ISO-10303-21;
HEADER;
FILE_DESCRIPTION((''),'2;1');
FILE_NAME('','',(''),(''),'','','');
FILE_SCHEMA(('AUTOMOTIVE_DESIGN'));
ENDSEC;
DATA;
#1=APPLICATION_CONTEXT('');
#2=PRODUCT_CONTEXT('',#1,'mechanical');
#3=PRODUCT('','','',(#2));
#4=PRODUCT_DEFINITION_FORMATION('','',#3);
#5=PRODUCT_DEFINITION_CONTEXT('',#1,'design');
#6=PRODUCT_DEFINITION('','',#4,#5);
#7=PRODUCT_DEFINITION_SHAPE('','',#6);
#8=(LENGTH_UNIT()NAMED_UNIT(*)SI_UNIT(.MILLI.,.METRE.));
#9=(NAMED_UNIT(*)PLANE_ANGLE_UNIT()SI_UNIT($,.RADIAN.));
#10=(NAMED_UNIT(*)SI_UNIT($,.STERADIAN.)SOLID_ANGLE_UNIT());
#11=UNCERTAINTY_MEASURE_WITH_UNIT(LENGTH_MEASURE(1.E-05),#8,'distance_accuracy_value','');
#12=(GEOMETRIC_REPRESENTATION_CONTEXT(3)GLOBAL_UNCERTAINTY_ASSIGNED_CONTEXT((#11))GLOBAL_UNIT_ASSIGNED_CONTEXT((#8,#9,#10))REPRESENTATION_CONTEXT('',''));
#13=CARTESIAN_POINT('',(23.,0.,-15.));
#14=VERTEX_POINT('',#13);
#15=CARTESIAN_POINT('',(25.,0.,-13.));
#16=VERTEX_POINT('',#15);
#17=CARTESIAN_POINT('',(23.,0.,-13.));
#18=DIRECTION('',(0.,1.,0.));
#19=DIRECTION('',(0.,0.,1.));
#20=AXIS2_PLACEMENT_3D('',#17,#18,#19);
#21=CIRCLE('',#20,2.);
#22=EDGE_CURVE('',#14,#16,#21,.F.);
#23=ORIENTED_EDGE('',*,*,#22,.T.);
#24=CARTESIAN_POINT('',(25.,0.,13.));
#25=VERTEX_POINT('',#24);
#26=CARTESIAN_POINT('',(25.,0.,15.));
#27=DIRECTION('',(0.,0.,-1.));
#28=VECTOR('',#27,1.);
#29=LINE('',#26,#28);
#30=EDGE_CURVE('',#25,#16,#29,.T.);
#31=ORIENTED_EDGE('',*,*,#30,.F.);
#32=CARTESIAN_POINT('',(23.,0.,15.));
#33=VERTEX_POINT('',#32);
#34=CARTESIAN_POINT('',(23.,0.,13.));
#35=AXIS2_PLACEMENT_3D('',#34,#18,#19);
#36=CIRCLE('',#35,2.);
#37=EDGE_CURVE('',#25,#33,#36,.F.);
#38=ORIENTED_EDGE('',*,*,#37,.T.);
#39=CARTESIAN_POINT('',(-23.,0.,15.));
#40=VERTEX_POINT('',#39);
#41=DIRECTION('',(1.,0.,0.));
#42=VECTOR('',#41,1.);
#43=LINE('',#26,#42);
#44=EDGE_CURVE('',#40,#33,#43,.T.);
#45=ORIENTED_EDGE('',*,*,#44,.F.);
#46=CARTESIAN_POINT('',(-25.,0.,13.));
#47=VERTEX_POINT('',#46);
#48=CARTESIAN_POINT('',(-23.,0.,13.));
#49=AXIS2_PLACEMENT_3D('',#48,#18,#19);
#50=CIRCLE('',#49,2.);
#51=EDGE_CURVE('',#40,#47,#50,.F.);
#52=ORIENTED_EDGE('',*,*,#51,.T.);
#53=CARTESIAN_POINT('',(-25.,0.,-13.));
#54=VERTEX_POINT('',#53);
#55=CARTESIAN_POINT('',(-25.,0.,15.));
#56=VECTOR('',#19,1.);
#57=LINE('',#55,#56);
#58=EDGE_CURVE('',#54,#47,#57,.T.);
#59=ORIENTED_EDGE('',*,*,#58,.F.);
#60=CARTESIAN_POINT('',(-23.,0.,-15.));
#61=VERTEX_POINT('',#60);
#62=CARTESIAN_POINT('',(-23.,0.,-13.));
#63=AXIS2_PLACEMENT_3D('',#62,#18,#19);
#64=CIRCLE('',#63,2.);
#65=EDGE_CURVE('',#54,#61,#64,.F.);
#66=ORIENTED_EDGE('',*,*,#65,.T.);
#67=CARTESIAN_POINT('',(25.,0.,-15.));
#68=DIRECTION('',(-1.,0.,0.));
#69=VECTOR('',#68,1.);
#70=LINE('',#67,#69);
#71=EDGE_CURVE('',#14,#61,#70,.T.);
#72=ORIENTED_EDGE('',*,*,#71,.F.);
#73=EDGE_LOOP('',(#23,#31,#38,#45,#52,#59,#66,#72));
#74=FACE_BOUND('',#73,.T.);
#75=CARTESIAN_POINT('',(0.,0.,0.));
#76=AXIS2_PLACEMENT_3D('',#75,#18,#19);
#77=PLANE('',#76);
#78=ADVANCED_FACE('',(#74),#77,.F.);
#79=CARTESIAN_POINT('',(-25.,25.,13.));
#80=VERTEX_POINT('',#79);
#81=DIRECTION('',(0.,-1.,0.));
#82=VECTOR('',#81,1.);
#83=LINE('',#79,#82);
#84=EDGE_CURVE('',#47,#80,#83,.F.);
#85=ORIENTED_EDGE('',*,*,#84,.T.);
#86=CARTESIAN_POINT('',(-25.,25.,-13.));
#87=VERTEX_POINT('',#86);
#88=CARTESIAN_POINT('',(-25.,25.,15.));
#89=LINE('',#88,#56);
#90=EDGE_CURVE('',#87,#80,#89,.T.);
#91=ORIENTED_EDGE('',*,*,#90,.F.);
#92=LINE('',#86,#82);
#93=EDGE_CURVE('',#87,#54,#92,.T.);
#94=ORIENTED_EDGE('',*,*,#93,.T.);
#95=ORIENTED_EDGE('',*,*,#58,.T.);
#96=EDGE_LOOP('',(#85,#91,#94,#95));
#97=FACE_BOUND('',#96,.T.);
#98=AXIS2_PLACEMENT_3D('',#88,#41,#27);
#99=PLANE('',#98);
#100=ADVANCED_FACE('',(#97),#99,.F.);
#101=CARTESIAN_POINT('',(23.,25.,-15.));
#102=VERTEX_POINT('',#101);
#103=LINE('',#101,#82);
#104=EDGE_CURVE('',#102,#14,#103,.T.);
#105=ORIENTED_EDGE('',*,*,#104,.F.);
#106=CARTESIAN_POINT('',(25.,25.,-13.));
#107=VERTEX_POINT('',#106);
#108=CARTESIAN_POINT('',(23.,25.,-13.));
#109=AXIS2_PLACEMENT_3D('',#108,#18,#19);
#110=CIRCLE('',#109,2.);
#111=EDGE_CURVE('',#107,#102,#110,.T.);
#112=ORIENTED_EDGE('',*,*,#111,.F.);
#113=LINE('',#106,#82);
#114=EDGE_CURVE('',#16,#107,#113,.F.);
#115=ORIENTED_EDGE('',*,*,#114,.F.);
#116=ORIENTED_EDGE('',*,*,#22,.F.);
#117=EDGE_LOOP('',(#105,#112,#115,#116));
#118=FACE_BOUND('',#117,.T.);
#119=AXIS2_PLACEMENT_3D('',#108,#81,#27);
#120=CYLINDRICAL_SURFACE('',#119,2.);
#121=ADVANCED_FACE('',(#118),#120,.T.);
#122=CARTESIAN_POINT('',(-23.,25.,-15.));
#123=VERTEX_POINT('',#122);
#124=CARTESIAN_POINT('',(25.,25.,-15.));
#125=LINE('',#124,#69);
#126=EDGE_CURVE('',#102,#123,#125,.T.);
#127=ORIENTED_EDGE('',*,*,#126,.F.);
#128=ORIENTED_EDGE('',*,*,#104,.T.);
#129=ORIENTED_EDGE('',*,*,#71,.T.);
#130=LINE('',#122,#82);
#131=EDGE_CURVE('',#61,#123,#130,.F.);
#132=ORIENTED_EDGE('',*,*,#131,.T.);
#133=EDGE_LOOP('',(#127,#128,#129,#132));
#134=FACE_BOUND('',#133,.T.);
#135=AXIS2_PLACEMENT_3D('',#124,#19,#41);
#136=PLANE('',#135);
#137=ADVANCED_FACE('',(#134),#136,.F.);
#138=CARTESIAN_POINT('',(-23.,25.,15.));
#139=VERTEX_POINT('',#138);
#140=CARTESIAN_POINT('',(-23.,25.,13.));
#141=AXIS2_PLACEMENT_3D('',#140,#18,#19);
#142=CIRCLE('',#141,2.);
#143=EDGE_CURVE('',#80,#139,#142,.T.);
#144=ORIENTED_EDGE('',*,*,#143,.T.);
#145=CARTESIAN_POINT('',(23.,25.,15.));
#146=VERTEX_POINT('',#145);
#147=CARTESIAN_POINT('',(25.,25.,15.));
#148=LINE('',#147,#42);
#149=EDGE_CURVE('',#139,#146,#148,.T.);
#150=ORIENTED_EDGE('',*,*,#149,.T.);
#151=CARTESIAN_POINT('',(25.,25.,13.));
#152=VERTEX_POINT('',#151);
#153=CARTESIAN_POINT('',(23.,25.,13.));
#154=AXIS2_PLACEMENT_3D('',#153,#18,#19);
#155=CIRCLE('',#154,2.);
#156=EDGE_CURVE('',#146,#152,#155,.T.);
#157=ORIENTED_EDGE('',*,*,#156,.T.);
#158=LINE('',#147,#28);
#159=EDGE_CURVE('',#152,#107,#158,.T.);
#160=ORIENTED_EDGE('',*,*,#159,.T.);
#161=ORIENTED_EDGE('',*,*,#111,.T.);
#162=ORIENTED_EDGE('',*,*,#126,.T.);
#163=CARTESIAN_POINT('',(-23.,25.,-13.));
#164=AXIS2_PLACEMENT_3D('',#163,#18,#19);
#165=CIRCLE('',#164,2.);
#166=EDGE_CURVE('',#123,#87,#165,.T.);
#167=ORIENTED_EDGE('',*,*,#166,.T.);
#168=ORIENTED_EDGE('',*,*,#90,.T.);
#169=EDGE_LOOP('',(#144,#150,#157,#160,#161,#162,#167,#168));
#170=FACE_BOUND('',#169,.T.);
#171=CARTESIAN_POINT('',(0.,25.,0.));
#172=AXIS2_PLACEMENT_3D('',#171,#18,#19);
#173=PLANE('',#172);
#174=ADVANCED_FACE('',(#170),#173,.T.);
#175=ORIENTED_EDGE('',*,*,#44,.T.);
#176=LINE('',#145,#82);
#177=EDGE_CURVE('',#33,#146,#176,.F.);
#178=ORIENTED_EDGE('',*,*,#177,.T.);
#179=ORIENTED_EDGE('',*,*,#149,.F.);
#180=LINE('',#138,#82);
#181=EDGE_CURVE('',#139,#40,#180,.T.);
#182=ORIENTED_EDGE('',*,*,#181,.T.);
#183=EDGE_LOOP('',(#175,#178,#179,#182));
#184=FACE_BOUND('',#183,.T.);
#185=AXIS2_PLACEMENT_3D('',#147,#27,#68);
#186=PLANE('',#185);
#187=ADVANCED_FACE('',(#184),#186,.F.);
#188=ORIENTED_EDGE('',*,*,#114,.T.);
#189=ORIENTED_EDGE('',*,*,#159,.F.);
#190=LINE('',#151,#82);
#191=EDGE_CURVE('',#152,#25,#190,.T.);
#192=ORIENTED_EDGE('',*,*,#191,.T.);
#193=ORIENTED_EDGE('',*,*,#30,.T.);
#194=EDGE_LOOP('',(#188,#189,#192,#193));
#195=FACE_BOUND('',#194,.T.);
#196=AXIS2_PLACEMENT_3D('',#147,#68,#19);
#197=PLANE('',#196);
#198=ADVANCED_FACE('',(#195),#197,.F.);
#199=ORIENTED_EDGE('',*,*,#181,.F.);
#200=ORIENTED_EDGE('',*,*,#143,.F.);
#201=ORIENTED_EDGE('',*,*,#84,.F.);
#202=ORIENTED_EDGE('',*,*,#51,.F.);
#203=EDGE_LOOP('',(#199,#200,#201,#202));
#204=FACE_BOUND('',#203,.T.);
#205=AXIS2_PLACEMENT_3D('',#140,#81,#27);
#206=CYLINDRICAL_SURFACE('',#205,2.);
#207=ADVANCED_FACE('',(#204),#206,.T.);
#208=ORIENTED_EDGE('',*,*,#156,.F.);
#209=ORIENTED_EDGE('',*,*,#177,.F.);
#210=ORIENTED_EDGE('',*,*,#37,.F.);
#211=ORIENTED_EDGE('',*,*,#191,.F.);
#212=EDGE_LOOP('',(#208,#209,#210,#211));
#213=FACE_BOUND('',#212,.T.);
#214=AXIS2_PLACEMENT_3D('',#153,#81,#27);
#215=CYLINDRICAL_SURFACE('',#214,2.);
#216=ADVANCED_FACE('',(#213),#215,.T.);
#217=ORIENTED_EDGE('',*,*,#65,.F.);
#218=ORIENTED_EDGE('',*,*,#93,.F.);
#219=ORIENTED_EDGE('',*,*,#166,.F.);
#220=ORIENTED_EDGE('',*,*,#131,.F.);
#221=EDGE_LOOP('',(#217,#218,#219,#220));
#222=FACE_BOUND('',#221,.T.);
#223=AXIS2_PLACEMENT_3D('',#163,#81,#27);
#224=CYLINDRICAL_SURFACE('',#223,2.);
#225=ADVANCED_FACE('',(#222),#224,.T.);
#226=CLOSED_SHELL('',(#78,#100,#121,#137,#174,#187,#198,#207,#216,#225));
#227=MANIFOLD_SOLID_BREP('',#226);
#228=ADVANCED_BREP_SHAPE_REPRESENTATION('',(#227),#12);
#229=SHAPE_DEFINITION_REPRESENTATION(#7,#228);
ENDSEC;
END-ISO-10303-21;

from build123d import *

# Parameters (mm, degrees)
SKETCH_1_W      = 50
SKETCH_1_H      = 30
EXTRUDE_1_DEPTH = 25
FILLET_1_R      = 2


with BuildPart() as part:
    # 草图1 → 凸台-拉伸1 (new body)
    with BuildSketch(Plane(origin=(0, 0, 0), x_dir=(1, 0, 0), z_dir=(0, 1, 0))):
        Rectangle(SKETCH_1_W, SKETCH_1_H)
    extrude(amount=EXTRUDE_1_DEPTH)

    # 圆角1
    fillet_1_edges = [part.edges().sort_by_distance(p)[0] for p in [
        (-25, 12.5, -15),
        (25, 12.5, -15),
        (25, 12.5, 15),
        (-25, 12.5, 15),
    ]]
    fillet(fillet_1_edges, radius=FILLET_1_R)


solid = part.part
